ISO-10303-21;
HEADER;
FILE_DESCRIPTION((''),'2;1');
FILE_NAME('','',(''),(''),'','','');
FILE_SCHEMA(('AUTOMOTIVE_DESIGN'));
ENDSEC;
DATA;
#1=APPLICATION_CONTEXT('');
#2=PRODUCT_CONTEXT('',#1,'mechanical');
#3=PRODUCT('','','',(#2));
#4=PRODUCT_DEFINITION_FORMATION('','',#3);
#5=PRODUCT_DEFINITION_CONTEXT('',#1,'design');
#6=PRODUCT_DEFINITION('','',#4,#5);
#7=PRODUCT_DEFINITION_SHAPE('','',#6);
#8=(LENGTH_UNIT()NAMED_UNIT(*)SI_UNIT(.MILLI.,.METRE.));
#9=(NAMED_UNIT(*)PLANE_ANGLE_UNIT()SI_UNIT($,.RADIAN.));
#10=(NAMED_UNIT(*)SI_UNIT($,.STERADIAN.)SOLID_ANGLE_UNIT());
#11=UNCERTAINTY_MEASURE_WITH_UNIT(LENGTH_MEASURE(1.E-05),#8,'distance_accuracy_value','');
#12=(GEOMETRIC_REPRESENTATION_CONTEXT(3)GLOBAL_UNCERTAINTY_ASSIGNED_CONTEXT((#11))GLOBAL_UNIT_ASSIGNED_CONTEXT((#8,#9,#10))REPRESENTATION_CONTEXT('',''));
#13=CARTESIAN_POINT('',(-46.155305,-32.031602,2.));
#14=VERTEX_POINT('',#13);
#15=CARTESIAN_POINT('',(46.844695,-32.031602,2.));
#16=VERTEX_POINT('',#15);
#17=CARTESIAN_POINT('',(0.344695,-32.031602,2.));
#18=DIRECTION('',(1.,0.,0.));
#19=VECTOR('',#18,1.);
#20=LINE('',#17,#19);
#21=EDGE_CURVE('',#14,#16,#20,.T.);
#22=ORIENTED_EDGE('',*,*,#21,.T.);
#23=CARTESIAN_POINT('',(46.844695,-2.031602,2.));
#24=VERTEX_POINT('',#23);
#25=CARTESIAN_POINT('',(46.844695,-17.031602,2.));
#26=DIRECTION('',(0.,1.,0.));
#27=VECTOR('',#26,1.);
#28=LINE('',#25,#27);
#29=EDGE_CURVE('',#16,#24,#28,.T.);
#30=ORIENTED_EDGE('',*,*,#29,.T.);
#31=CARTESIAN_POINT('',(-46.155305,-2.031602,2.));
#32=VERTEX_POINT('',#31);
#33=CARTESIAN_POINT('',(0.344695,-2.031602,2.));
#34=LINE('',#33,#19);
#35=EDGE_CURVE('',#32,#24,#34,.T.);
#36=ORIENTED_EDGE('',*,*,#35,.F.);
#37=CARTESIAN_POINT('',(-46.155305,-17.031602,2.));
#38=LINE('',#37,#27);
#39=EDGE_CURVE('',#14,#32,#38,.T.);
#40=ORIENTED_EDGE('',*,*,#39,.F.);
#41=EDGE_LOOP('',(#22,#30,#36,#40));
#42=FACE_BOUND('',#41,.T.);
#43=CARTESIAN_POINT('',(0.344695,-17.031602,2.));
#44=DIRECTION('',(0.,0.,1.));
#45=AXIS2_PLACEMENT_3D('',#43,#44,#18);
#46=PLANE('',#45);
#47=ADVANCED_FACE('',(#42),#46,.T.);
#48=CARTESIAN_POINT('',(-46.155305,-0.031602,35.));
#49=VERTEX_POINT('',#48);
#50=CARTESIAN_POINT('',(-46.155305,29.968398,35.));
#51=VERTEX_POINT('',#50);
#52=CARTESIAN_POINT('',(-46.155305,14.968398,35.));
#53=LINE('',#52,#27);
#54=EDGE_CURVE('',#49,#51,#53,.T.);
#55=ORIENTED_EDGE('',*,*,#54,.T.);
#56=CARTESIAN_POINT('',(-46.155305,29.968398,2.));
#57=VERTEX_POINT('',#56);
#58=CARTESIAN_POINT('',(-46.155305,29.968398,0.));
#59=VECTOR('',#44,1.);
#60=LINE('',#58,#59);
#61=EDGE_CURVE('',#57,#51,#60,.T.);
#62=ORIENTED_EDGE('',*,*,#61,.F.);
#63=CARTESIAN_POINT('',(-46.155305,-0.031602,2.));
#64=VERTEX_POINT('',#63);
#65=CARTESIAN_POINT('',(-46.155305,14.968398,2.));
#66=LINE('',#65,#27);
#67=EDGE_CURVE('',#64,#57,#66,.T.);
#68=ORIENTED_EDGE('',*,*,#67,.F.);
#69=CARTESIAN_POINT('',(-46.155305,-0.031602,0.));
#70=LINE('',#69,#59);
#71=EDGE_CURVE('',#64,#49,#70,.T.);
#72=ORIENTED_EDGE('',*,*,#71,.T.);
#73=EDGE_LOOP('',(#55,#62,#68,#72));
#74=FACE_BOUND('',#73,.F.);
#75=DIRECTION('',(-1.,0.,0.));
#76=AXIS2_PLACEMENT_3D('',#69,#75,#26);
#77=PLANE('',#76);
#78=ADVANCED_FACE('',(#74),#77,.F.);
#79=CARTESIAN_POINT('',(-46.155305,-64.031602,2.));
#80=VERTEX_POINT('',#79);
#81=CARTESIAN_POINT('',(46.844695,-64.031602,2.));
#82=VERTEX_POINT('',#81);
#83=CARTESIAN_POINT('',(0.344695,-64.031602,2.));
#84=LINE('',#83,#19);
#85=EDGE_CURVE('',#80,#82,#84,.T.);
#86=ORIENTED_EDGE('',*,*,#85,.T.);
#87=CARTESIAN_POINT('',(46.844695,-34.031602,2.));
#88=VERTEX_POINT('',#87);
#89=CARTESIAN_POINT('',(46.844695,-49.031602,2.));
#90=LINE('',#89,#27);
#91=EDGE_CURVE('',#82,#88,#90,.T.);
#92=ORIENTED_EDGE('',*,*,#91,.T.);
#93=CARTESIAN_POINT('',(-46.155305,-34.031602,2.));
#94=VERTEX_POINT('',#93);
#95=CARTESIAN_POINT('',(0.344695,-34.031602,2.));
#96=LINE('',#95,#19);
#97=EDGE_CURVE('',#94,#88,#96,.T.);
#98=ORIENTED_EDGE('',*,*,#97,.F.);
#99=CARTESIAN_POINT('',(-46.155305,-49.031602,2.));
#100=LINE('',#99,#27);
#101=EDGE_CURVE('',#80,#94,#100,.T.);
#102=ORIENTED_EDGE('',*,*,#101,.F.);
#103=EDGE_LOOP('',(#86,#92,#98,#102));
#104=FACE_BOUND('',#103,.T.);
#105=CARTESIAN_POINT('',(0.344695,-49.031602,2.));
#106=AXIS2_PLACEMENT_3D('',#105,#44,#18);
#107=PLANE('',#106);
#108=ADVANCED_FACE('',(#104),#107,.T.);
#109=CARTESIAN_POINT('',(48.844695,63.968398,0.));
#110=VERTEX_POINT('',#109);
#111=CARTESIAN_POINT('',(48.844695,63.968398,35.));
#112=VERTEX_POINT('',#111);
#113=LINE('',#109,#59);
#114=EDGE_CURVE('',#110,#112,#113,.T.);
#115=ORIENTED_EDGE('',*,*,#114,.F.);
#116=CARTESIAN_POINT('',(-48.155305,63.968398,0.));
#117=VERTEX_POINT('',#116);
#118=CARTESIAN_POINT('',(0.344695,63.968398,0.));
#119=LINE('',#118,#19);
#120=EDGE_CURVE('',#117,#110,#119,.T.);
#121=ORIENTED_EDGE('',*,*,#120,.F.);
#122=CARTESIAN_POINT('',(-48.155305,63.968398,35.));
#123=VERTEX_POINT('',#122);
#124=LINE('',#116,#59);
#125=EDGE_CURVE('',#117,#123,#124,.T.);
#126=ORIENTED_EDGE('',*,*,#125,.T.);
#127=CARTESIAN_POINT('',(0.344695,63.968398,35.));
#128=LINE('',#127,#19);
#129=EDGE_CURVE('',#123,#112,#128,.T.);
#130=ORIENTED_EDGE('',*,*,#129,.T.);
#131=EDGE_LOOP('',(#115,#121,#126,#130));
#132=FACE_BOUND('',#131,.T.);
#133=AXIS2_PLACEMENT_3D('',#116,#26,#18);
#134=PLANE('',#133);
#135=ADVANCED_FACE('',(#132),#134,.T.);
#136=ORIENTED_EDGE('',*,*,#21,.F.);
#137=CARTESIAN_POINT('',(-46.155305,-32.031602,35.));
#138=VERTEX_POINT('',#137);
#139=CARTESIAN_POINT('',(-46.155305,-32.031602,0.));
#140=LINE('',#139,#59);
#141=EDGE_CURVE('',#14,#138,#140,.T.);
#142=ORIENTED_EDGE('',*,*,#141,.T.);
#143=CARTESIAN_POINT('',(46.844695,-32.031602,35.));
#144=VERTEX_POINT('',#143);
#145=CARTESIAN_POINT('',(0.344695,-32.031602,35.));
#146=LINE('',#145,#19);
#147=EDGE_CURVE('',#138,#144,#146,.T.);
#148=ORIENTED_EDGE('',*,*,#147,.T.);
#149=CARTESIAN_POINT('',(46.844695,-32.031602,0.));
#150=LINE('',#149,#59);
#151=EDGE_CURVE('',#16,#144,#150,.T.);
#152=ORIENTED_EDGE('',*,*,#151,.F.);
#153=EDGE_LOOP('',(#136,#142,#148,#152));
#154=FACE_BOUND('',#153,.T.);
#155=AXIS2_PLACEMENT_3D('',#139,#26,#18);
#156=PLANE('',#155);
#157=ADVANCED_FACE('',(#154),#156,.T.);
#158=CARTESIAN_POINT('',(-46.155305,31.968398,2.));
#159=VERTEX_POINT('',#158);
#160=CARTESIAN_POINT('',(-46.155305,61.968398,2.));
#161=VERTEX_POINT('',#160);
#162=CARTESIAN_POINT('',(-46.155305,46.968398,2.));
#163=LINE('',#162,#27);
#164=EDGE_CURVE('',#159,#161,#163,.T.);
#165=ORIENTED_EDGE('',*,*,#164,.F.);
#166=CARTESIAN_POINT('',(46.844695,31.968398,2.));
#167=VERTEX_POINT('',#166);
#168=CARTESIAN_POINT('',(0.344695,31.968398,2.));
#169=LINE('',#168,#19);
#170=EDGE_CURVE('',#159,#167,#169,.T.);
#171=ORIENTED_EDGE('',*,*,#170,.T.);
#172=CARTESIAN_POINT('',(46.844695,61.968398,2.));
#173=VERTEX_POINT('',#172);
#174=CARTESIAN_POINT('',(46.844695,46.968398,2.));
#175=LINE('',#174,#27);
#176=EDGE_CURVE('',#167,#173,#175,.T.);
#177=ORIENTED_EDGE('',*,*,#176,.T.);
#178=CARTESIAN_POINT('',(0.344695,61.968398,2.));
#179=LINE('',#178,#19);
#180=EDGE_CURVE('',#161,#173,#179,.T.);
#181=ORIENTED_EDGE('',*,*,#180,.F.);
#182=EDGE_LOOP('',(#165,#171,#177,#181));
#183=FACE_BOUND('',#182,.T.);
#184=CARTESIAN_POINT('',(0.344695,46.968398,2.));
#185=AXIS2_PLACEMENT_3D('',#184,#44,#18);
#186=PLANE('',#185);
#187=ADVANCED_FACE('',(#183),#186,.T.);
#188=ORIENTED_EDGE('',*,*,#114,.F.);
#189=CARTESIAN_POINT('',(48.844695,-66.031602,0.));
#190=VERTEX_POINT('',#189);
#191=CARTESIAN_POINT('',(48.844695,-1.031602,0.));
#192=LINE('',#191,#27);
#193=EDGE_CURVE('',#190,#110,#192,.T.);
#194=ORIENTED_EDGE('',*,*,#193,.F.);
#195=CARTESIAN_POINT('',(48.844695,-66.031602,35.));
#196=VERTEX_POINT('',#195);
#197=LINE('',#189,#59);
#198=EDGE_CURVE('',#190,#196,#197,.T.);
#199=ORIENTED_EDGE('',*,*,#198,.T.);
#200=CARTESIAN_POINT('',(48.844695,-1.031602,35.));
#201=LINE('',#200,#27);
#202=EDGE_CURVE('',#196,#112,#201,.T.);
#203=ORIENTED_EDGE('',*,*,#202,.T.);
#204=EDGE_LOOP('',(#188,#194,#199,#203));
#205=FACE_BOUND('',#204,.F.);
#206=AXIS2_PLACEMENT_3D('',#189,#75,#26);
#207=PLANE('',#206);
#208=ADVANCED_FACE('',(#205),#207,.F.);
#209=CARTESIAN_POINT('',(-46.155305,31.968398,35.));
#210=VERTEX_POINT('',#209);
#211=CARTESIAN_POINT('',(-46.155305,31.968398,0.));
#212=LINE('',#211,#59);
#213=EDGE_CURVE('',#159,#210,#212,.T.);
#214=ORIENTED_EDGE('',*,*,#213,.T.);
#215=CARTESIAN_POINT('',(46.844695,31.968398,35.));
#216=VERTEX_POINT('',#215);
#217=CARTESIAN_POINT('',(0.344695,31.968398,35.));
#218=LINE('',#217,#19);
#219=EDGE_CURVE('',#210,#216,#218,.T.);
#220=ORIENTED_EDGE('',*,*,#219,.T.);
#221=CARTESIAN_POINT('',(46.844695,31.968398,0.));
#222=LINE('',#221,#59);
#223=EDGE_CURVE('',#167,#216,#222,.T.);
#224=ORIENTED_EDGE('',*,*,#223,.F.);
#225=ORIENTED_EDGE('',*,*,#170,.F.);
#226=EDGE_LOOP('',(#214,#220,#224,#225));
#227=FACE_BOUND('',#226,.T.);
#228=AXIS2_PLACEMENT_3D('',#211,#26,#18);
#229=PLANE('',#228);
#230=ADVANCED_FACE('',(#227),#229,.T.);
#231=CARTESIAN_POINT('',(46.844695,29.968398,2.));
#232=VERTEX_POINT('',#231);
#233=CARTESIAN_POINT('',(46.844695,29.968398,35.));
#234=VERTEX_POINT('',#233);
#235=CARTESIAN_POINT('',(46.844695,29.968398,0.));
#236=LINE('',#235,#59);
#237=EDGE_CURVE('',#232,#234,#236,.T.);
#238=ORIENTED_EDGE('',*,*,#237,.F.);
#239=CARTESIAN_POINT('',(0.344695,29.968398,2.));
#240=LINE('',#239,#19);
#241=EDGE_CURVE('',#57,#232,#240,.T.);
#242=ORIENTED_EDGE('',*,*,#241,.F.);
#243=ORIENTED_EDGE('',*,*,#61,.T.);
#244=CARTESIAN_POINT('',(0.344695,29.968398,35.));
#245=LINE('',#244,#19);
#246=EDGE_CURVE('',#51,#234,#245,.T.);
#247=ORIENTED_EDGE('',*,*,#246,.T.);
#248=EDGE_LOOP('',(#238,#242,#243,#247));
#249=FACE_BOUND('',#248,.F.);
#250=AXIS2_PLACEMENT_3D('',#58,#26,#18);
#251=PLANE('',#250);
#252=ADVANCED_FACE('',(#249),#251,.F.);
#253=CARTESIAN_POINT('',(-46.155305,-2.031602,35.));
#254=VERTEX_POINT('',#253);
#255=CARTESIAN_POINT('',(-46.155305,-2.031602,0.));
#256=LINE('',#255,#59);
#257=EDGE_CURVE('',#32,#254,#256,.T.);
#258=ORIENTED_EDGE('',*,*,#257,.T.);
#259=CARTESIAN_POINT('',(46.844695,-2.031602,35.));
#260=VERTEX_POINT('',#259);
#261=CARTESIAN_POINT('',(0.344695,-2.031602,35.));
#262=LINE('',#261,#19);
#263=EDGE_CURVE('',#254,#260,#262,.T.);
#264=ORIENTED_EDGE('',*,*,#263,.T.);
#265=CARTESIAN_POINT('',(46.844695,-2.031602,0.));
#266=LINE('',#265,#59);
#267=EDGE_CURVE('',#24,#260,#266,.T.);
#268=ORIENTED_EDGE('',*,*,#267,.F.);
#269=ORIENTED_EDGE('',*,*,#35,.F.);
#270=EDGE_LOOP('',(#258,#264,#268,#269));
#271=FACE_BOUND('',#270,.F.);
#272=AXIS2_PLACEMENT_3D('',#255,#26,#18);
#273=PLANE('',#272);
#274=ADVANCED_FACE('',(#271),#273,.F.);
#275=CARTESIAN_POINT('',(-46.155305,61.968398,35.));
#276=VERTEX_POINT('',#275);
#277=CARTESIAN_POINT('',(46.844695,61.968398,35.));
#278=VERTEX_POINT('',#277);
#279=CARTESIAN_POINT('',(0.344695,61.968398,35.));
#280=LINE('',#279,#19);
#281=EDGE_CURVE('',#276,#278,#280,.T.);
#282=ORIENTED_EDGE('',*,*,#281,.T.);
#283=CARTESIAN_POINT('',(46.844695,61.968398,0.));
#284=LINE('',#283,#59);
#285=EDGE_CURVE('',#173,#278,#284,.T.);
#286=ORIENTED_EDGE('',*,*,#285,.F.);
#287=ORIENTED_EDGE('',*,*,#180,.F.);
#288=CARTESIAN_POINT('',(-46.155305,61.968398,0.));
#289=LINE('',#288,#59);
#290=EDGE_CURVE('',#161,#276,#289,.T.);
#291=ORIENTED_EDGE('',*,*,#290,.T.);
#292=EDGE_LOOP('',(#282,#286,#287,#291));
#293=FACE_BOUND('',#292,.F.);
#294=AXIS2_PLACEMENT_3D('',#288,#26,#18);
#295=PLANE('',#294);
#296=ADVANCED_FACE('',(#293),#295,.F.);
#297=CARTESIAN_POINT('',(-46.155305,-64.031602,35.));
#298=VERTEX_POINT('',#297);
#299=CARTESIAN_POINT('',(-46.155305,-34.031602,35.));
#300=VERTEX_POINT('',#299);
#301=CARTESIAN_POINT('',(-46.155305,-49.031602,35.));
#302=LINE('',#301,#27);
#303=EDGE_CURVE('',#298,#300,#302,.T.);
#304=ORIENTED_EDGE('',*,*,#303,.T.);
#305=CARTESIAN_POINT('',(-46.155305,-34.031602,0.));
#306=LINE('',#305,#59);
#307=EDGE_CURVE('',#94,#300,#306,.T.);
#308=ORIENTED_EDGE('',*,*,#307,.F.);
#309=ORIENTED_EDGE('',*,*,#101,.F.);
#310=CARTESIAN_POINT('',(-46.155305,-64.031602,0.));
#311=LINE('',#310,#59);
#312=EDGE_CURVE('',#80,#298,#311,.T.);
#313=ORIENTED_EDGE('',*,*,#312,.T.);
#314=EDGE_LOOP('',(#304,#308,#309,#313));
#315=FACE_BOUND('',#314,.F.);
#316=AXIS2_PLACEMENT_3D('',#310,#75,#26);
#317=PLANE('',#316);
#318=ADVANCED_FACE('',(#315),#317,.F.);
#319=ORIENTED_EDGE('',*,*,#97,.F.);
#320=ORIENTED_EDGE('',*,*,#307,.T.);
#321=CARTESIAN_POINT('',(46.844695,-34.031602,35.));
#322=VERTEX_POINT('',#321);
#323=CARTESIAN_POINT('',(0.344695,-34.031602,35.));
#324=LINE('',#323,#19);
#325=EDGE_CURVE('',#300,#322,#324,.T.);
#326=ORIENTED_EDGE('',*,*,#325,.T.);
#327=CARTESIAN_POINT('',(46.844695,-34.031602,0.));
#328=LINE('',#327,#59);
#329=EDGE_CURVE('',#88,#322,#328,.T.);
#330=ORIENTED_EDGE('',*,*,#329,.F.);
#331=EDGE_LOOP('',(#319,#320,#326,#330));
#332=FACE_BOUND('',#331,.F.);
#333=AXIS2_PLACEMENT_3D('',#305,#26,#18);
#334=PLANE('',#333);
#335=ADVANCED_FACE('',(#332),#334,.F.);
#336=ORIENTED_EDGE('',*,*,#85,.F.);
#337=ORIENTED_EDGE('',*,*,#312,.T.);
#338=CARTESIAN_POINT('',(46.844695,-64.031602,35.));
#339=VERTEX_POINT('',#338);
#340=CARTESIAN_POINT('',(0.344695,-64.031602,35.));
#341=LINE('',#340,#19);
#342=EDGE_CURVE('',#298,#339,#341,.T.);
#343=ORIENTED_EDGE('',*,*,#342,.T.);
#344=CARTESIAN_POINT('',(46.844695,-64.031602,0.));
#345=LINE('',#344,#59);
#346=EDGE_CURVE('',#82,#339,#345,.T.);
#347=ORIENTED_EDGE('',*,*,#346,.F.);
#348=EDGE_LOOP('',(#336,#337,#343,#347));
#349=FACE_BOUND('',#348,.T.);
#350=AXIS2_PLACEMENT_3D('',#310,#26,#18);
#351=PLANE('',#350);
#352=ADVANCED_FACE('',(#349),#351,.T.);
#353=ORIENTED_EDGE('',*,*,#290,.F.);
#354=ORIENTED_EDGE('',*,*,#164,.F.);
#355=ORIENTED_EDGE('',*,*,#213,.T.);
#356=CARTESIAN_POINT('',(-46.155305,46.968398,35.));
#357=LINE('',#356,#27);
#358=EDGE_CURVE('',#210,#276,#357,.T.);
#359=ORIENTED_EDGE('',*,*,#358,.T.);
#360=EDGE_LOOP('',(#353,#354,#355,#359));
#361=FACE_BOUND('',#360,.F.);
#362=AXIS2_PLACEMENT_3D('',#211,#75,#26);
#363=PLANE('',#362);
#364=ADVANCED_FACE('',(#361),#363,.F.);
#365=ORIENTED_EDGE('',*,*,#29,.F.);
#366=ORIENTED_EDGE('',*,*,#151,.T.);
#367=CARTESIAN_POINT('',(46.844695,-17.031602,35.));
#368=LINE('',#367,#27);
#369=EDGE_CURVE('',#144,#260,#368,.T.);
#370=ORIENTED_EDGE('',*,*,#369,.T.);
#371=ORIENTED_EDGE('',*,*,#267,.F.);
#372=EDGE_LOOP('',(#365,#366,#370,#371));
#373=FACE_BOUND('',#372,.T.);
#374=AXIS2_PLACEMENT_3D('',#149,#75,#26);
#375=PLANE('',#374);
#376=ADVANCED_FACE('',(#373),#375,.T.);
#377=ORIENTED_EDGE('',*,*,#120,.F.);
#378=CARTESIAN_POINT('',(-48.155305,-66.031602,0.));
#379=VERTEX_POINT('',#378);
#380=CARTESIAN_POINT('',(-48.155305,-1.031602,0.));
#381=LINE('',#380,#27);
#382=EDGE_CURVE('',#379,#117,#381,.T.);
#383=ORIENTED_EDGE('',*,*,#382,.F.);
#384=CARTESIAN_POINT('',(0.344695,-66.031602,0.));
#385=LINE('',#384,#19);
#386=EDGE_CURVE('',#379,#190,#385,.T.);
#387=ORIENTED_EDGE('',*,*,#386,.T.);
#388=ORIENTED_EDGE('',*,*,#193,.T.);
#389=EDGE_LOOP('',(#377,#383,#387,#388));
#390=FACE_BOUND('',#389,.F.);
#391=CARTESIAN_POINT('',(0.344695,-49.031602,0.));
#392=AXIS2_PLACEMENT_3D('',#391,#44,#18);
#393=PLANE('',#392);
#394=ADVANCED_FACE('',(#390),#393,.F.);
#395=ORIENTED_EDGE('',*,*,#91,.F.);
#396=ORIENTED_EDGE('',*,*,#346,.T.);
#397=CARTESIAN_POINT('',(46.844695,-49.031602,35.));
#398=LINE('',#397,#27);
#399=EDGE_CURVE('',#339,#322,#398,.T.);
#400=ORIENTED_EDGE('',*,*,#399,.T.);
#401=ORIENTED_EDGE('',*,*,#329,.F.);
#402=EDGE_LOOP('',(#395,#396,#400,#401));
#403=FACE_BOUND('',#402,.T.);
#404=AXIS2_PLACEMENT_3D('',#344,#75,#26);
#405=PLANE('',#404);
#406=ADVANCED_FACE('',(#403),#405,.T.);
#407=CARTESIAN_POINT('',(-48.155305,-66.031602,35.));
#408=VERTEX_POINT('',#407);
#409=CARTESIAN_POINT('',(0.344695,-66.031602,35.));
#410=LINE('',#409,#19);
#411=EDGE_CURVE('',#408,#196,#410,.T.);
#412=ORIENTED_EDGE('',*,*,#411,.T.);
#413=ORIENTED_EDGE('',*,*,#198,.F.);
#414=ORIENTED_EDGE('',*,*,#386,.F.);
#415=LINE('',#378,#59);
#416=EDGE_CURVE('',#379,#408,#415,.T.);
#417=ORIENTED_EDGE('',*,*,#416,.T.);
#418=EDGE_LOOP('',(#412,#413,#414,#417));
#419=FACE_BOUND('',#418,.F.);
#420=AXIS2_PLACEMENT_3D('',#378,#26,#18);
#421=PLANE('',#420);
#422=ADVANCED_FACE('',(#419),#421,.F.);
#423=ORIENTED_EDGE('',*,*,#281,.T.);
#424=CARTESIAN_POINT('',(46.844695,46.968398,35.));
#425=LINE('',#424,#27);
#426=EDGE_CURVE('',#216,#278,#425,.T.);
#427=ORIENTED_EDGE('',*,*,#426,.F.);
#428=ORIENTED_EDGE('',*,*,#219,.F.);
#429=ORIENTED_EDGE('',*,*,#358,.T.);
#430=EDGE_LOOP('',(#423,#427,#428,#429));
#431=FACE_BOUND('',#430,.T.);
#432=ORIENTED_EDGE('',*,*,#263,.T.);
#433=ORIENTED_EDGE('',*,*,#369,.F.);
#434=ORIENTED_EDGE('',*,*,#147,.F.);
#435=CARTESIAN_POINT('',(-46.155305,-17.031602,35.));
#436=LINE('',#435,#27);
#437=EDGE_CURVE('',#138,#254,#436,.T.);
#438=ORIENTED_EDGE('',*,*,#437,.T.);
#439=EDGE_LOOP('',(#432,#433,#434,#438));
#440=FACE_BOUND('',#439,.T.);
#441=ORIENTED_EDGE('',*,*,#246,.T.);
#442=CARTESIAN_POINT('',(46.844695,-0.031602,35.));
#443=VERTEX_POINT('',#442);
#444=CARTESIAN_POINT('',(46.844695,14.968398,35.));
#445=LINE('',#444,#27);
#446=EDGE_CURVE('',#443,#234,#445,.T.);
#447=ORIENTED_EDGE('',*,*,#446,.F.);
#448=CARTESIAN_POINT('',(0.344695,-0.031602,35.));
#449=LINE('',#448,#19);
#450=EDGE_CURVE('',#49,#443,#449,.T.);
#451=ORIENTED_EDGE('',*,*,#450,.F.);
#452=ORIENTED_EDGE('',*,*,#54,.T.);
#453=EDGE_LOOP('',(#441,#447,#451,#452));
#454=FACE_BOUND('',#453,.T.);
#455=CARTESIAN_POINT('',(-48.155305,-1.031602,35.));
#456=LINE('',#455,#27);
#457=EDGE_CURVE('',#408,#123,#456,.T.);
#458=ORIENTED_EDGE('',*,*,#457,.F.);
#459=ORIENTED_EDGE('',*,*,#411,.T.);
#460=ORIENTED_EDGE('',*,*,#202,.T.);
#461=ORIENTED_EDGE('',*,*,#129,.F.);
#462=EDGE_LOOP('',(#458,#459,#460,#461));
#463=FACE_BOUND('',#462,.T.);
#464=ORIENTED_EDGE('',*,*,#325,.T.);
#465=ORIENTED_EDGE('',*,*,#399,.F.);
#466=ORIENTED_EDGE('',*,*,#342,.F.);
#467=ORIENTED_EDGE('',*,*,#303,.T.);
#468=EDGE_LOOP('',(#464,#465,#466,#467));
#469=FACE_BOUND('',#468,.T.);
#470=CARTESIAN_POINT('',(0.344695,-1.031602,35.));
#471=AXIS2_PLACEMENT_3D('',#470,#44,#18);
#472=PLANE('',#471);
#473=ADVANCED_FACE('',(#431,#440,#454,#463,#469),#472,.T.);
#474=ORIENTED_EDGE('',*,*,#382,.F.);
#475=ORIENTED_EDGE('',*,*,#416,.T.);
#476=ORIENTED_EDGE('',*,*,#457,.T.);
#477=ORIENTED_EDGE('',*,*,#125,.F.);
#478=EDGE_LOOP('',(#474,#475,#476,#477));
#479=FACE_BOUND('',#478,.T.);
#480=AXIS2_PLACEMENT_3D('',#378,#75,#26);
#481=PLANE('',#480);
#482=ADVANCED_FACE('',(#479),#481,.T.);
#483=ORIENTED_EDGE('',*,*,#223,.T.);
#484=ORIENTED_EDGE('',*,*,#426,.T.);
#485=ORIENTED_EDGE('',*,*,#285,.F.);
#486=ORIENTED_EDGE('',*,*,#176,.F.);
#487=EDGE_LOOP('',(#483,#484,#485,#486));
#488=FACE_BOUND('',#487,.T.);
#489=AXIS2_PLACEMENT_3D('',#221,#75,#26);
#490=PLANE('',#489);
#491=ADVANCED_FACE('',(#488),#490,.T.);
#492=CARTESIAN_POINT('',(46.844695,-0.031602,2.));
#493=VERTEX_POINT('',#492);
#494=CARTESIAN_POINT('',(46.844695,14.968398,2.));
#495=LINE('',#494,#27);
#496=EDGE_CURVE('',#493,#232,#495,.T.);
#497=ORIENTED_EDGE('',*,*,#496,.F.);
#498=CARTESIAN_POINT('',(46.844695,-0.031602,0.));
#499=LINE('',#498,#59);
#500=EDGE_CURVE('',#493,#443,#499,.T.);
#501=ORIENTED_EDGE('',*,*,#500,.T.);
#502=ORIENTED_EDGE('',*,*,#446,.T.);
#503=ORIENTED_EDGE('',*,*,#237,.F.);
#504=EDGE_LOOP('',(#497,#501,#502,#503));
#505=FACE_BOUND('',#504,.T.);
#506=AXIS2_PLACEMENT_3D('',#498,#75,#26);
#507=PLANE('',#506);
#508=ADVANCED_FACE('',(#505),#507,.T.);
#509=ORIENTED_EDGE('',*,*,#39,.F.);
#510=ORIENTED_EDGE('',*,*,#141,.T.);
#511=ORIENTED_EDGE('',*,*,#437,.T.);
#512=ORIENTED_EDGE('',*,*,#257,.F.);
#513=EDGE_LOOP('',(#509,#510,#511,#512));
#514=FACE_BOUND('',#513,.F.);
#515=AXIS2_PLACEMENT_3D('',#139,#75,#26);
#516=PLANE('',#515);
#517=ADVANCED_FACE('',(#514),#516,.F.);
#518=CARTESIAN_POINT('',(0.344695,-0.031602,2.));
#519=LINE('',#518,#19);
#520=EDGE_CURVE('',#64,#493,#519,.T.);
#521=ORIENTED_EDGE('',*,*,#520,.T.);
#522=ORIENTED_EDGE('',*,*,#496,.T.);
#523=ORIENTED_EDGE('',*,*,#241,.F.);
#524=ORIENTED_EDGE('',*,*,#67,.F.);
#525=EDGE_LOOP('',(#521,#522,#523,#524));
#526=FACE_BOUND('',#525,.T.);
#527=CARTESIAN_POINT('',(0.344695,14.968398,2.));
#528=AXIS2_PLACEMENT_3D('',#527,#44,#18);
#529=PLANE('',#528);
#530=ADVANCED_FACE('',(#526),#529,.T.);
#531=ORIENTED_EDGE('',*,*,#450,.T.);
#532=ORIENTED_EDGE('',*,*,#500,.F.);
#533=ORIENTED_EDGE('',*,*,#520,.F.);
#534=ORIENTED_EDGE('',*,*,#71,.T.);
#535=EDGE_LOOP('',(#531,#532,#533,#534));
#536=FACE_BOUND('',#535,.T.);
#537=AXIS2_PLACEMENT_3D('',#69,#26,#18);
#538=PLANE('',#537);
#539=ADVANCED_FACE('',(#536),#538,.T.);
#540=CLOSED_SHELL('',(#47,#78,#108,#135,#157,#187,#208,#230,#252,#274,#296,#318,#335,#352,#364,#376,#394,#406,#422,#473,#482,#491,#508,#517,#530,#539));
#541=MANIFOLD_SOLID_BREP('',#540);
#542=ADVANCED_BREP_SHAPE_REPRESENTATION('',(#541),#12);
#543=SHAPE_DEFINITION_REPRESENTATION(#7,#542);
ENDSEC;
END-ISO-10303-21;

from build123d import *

# Parameters (mm, degrees)
F0_W     = 97
F0_H     = 130
F0_W_2   = 93
F0_H_2   = 30
F1_DEPTH = 35
F2_DEPTH = 2


with BuildPart() as f1:
    # F0 (on Top) → F1 (new body)
    with BuildSketch(Plane.XY):
        with Locations((0.344695, -1.031602)):
            Rectangle(F0_W, F0_H)
        with Locations((0.344695, -49.031602)):
            Rectangle(F0_W_2, F0_H_2, mode=Mode.SUBTRACT)
        with Locations((0.344695, -17.031602)):
            Rectangle(F0_W_2, F0_H_2, mode=Mode.SUBTRACT)
        with Locations((0.344695, 14.968398)):
            Rectangle(F0_W_2, F0_H_2, mode=Mode.SUBTRACT)
        with Locations((0.344695, 46.968398)):
            Rectangle(F0_W_2, F0_H_2, mode=Mode.SUBTRACT)
    extrude(amount=F1_DEPTH)

    # F0 (on Top) → F2 (join)
    with BuildSketch(Plane.XY):
        with Locations((0.344695, -49.031602)):
            Rectangle(F0_W_2, F0_H_2)
        with Locations((0.344695, -17.031602)):
            Rectangle(F0_W_2, F0_H_2)
        with Locations((0.344695, 14.968398)):
            Rectangle(F0_W_2, F0_H_2)
        with Locations((0.344695, 46.968398)):
            Rectangle(F0_W_2, F0_H_2)
    extrude(amount=F2_DEPTH)


solid = f1.part
